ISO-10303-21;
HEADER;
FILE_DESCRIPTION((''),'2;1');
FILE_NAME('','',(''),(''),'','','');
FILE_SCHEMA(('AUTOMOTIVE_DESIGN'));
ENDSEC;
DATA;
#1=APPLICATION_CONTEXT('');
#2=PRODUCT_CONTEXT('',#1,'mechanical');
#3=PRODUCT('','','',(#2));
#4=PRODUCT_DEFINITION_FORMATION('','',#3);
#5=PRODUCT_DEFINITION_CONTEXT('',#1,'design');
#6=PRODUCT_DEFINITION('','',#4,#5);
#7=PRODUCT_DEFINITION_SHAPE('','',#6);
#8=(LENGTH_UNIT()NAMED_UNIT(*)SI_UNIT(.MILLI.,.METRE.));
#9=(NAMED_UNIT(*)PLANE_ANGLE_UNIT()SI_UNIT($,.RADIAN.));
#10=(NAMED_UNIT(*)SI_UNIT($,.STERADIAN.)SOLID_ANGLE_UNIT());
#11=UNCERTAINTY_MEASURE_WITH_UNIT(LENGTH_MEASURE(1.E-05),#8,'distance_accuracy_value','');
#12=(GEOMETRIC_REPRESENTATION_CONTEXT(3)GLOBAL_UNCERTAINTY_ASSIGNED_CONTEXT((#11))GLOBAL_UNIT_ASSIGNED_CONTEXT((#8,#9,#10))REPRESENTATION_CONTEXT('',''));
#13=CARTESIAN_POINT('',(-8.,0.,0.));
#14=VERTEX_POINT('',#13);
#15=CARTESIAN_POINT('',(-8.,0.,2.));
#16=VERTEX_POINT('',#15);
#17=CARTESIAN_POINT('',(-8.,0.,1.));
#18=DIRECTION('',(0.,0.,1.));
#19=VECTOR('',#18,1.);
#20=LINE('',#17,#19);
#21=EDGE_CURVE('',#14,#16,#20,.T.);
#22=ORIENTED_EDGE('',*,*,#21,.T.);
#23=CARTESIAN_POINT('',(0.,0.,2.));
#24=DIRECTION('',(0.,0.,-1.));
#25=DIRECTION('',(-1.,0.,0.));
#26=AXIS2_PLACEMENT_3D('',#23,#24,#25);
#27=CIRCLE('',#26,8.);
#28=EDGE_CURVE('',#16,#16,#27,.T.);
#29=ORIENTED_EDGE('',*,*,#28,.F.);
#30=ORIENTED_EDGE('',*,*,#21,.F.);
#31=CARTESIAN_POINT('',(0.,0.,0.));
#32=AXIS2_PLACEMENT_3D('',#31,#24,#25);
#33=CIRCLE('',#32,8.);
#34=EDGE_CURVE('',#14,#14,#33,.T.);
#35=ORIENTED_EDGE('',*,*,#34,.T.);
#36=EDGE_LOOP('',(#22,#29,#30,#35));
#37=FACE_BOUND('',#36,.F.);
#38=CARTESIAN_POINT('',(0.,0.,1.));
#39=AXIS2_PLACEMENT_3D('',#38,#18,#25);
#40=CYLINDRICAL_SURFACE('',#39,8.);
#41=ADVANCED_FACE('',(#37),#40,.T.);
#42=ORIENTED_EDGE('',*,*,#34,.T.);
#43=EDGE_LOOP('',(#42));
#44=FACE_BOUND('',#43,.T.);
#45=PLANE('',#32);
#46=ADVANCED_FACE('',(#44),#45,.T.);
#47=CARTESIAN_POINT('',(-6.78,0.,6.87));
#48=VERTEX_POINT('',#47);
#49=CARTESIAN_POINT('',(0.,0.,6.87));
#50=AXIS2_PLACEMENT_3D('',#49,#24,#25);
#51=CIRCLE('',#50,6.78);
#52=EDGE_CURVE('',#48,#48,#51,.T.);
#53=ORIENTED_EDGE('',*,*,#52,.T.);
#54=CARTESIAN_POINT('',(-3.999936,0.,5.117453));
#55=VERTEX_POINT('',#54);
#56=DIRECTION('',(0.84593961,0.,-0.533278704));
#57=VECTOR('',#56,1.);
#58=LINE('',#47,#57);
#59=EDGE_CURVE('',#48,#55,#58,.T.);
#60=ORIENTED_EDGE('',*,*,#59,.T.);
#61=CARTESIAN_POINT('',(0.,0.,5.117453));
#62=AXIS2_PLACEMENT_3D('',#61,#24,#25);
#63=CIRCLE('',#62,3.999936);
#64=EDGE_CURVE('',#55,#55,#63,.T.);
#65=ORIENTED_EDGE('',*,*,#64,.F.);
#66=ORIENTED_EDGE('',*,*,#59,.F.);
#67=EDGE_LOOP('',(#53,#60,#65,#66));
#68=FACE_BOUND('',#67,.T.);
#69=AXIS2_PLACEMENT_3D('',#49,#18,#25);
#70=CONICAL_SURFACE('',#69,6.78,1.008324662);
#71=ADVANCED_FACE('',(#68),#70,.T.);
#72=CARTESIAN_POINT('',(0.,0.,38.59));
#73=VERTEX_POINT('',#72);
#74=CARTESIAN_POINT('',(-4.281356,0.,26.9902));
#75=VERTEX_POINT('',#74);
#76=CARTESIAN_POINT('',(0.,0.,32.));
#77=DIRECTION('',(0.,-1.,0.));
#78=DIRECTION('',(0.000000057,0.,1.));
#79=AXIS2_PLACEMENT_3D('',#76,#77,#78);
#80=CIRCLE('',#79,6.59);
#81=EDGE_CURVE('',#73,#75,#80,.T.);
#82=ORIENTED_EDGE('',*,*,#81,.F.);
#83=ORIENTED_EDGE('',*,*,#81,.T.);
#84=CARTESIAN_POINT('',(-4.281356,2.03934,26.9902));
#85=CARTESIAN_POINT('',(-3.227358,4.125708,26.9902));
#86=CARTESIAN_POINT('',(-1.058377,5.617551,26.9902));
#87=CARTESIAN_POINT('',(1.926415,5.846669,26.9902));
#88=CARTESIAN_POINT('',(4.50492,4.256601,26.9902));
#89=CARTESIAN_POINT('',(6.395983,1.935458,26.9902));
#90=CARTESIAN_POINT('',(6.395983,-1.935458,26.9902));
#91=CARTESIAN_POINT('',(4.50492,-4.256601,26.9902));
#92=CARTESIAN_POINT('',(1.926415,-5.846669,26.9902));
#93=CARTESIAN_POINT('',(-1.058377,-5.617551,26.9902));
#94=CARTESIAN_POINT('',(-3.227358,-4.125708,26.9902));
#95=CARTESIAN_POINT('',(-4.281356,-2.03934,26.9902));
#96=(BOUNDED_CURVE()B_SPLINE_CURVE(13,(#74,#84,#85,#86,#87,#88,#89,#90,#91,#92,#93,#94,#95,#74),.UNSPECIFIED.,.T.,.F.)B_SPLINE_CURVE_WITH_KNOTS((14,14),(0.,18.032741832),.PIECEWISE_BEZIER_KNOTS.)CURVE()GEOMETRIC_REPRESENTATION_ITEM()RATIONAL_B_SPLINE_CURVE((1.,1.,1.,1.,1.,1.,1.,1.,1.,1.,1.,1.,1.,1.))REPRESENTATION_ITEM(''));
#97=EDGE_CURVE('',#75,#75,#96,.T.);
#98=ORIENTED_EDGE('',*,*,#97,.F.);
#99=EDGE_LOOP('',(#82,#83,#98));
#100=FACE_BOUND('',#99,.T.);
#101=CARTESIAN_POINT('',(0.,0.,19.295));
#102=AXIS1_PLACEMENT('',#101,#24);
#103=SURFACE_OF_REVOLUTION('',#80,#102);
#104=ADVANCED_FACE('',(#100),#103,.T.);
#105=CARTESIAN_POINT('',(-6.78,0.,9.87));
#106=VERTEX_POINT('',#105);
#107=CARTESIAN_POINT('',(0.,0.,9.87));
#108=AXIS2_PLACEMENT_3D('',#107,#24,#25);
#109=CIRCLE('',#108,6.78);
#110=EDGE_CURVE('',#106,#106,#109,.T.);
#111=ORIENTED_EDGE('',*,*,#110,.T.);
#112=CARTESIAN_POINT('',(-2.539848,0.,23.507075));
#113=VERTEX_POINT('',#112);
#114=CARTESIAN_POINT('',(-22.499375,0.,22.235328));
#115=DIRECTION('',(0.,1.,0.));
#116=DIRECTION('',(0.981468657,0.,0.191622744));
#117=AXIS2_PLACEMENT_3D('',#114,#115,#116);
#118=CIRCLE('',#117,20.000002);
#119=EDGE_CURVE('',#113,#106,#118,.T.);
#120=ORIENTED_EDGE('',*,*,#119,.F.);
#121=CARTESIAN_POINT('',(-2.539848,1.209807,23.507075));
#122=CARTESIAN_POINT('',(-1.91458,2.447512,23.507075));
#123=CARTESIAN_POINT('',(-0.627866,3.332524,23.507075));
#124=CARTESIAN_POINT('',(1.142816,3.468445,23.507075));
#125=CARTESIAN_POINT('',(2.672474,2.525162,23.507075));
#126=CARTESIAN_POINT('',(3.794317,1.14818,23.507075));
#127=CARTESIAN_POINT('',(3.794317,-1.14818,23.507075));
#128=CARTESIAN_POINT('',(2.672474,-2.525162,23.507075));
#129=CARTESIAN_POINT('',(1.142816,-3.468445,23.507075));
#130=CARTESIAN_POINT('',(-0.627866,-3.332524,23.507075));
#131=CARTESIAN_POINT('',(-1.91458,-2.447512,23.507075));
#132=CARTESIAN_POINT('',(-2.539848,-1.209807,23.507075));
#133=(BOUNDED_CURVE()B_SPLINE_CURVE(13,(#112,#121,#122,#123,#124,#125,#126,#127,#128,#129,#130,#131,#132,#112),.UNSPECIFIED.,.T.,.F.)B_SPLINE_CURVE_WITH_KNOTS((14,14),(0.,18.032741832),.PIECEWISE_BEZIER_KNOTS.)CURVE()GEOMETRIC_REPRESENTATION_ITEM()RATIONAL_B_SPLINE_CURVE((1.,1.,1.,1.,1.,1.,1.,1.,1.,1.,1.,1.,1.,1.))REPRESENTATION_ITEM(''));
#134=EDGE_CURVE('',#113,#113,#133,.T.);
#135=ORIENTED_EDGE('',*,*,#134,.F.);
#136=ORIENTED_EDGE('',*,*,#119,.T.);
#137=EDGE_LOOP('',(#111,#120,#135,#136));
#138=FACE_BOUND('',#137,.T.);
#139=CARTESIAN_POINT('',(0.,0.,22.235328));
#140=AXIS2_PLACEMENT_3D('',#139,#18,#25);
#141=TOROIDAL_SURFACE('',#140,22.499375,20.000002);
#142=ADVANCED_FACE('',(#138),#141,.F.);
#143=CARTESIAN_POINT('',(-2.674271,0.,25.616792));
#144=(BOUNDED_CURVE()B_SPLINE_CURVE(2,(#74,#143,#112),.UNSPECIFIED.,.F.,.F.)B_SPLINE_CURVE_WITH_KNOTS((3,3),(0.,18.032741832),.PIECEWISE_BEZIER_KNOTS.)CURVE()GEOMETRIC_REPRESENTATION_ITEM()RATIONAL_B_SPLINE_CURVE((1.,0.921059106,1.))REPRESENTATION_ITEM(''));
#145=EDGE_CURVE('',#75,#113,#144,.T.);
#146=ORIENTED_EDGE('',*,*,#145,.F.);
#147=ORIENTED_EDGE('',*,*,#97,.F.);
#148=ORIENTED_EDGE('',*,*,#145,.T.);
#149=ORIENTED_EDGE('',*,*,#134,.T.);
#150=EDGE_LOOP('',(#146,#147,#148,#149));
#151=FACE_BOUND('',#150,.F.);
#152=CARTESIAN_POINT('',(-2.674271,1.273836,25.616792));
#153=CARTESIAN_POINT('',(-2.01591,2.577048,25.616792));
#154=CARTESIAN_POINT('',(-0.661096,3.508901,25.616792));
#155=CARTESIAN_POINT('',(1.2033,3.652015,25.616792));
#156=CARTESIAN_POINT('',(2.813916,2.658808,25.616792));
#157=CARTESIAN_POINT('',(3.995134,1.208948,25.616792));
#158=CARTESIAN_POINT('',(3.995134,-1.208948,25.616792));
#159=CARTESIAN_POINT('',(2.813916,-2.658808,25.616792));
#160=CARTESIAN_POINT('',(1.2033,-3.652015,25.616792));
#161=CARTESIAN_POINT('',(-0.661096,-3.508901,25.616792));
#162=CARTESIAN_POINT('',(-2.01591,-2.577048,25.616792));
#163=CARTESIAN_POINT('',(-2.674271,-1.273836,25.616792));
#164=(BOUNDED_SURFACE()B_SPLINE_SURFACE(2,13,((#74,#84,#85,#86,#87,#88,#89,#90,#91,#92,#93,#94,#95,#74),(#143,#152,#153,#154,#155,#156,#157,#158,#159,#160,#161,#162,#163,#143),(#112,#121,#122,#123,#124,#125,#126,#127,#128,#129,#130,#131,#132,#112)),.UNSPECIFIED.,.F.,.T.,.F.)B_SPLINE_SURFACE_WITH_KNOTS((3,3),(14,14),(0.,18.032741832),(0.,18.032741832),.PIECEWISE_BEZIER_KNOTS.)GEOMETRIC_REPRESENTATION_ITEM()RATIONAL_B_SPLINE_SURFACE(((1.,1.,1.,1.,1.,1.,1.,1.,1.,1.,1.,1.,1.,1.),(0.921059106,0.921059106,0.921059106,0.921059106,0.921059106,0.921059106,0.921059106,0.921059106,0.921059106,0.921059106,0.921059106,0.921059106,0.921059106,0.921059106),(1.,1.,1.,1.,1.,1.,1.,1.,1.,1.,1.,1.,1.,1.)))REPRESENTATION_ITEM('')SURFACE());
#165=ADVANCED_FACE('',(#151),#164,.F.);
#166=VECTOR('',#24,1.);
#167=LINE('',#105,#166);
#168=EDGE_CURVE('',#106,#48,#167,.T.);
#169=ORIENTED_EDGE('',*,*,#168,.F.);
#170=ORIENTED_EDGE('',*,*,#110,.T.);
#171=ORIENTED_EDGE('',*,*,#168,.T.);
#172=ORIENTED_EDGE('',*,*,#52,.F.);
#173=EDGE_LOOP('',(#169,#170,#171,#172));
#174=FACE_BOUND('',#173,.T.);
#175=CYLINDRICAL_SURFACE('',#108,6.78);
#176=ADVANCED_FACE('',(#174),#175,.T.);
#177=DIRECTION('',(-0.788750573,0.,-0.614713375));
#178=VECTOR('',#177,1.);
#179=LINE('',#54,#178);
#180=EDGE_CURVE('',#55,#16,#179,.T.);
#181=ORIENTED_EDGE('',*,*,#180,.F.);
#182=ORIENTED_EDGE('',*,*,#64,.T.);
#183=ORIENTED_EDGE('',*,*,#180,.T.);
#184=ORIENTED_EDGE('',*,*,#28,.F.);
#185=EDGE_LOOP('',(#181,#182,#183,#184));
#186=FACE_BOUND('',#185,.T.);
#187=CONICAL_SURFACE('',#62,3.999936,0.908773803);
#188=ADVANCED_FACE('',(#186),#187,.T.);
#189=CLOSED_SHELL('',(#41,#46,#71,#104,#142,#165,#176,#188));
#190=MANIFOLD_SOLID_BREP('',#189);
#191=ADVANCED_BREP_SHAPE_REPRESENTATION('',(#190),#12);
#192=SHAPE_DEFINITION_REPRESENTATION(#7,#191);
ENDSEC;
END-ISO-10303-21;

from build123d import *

# Parameters (mm, degrees)
F0_W = 8
F0_H = 2
F2_R = 5


with BuildPart() as f1:
    # F0 (on Front) → F1 (revolve)
    with BuildSketch(Plane.XZ):
        with BuildLine():
            Line((0, 32), (0, 38.59))
            ThreePointArc((0, 38.59), (-6.42345, 33.472207), (-2.87, 26.067783))
            Line((-2.87, 26.067783), (0, 26.067783))
            Line((0, 26.067783), (0, 32))
        make_face()
        with Locations((-4, 1)):
            Rectangle(F0_W, F0_H)
        Polygon((0, 2), (0, 5.14), (-3.999936, 5.117453), (-8, 2), align=None)
        Polygon((0, 5.14), (0, 6.87), (-6.78, 6.87), (-3.999936, 5.117453), align=None)
        with BuildLine():
            Line((0, 26.067783), (-2.87, 26.067783))
            ThreePointArc((-2.87, 26.067783), (-3.057781, 17.542301), (-6.78, 9.87))
            Line((-6.78, 9.87), (-6.78, 6.87))
            Line((-6.78, 6.87), (0, 6.87))
            Line((0, 6.87), (0, 26.067783))
        make_face()
    revolve(axis=Axis((0, 0, 19.295), (0, 0, -1)))

    # F2
    f2_edges = [f1.edges().sort_by_distance(p)[0] for p in [
        (2.87, 0, 26.067783),
    ]]
    fillet(f2_edges, radius=F2_R)


solid = f1.part
